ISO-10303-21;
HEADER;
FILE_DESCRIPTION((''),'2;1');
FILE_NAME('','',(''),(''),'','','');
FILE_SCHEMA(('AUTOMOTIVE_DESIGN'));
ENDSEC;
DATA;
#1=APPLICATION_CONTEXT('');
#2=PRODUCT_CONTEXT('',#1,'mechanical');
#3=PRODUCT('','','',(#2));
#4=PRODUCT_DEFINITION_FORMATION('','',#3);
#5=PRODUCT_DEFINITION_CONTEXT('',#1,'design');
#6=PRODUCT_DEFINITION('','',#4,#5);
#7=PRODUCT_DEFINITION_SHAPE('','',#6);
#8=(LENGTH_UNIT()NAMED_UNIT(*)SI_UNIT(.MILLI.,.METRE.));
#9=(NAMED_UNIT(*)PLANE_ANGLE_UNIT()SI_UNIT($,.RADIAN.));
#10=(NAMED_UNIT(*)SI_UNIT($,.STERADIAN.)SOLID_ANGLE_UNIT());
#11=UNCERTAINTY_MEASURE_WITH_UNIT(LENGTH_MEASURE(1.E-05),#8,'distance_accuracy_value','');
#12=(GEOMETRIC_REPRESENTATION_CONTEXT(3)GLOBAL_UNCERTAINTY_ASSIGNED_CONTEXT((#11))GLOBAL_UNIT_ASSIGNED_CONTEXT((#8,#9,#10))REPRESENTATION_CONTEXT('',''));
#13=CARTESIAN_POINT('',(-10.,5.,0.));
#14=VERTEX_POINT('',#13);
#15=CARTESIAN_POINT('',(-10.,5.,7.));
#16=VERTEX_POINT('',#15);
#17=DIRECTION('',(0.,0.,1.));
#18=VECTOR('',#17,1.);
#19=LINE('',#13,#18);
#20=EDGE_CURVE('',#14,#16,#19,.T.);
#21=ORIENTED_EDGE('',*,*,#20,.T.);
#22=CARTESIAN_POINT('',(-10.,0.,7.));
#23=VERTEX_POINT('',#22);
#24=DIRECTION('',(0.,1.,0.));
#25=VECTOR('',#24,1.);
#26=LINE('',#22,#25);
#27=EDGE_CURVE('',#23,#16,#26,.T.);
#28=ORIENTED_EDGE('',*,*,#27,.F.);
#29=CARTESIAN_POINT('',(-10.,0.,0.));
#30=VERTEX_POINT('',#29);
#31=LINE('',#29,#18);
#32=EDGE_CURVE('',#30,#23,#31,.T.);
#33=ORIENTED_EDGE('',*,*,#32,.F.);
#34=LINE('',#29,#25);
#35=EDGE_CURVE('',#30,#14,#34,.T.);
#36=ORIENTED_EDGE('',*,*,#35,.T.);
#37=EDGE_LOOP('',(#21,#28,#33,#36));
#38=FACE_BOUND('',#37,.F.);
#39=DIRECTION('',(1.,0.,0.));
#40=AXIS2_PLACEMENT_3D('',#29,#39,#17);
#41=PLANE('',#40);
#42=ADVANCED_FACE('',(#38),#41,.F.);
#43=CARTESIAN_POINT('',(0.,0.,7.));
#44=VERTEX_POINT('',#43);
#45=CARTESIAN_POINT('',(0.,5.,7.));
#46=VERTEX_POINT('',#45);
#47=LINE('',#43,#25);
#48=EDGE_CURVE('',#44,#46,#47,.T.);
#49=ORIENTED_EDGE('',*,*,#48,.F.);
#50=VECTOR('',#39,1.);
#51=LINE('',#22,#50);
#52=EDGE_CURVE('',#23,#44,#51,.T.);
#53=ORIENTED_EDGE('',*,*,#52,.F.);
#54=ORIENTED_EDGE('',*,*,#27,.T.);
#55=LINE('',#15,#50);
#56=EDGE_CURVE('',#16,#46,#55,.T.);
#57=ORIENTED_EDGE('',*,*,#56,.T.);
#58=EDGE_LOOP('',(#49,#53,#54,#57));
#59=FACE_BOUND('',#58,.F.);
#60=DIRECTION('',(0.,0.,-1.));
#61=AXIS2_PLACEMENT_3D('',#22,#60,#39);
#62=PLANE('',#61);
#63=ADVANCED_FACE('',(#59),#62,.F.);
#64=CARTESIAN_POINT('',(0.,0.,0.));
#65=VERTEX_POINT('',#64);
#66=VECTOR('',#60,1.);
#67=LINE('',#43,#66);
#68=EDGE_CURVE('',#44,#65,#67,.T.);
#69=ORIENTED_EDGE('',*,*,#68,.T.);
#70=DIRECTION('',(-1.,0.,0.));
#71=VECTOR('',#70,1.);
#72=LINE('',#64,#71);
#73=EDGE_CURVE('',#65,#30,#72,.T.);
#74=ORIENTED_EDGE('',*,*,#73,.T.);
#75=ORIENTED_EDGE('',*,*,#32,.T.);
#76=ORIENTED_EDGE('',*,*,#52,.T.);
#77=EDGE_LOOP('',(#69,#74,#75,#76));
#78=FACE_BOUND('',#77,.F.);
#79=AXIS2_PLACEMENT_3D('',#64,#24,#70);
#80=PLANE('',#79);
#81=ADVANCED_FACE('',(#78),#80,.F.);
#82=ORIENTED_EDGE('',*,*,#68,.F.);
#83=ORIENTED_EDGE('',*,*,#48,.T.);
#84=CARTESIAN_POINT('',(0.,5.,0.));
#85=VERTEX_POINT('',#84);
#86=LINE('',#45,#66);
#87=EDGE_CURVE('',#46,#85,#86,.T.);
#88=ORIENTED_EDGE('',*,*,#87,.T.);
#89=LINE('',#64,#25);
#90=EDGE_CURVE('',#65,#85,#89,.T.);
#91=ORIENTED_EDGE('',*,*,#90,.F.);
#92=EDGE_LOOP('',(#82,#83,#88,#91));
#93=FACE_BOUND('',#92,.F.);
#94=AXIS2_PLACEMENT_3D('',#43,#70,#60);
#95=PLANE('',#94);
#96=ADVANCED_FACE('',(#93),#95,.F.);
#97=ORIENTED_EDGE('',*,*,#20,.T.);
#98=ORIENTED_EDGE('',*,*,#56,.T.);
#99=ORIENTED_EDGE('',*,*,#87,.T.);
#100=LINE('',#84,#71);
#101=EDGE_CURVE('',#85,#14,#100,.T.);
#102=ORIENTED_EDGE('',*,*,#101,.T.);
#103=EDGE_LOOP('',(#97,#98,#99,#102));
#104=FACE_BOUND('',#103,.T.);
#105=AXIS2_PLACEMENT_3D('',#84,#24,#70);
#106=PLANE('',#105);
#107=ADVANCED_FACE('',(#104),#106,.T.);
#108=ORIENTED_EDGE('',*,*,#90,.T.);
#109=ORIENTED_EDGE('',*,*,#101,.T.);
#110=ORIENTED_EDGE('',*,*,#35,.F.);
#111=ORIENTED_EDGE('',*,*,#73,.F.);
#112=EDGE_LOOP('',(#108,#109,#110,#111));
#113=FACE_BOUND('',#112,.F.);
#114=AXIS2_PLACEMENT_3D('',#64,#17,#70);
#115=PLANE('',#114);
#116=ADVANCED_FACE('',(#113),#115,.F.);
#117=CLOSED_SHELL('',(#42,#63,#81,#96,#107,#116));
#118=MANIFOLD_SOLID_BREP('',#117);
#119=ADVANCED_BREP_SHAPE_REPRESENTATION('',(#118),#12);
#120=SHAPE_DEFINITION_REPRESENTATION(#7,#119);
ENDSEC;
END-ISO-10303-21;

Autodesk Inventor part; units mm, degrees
ref_plane "YZ Plane" through (0, 0, 0) normal (1, 0, 0) x (0, 1, 0)
ref_plane "XZ Plane" through (0, 0, 0) normal (0, 1, 0) x (-1, 0, 0)
ref_plane "XY Plane" through (0, 0, 0) normal (0, 0, 1) x (1, 0, 0)
sketch "スケッチ1" plane through (0, 0, 0) normal (0, 1, 0) x (-1, 0, 0)
  line L0 (0, 0) -> (10, 0)
  line L1 (10, 0) -> (10, 7)
  line L2 (10, 7) -> (0, 7)
  line L3 (0, 7) -> (0, 0)
  dimension "d0" = 10
  dimension "d1" = 7
extrude "押し出し1" add sketch "スケッチ1" along normal blind 5
